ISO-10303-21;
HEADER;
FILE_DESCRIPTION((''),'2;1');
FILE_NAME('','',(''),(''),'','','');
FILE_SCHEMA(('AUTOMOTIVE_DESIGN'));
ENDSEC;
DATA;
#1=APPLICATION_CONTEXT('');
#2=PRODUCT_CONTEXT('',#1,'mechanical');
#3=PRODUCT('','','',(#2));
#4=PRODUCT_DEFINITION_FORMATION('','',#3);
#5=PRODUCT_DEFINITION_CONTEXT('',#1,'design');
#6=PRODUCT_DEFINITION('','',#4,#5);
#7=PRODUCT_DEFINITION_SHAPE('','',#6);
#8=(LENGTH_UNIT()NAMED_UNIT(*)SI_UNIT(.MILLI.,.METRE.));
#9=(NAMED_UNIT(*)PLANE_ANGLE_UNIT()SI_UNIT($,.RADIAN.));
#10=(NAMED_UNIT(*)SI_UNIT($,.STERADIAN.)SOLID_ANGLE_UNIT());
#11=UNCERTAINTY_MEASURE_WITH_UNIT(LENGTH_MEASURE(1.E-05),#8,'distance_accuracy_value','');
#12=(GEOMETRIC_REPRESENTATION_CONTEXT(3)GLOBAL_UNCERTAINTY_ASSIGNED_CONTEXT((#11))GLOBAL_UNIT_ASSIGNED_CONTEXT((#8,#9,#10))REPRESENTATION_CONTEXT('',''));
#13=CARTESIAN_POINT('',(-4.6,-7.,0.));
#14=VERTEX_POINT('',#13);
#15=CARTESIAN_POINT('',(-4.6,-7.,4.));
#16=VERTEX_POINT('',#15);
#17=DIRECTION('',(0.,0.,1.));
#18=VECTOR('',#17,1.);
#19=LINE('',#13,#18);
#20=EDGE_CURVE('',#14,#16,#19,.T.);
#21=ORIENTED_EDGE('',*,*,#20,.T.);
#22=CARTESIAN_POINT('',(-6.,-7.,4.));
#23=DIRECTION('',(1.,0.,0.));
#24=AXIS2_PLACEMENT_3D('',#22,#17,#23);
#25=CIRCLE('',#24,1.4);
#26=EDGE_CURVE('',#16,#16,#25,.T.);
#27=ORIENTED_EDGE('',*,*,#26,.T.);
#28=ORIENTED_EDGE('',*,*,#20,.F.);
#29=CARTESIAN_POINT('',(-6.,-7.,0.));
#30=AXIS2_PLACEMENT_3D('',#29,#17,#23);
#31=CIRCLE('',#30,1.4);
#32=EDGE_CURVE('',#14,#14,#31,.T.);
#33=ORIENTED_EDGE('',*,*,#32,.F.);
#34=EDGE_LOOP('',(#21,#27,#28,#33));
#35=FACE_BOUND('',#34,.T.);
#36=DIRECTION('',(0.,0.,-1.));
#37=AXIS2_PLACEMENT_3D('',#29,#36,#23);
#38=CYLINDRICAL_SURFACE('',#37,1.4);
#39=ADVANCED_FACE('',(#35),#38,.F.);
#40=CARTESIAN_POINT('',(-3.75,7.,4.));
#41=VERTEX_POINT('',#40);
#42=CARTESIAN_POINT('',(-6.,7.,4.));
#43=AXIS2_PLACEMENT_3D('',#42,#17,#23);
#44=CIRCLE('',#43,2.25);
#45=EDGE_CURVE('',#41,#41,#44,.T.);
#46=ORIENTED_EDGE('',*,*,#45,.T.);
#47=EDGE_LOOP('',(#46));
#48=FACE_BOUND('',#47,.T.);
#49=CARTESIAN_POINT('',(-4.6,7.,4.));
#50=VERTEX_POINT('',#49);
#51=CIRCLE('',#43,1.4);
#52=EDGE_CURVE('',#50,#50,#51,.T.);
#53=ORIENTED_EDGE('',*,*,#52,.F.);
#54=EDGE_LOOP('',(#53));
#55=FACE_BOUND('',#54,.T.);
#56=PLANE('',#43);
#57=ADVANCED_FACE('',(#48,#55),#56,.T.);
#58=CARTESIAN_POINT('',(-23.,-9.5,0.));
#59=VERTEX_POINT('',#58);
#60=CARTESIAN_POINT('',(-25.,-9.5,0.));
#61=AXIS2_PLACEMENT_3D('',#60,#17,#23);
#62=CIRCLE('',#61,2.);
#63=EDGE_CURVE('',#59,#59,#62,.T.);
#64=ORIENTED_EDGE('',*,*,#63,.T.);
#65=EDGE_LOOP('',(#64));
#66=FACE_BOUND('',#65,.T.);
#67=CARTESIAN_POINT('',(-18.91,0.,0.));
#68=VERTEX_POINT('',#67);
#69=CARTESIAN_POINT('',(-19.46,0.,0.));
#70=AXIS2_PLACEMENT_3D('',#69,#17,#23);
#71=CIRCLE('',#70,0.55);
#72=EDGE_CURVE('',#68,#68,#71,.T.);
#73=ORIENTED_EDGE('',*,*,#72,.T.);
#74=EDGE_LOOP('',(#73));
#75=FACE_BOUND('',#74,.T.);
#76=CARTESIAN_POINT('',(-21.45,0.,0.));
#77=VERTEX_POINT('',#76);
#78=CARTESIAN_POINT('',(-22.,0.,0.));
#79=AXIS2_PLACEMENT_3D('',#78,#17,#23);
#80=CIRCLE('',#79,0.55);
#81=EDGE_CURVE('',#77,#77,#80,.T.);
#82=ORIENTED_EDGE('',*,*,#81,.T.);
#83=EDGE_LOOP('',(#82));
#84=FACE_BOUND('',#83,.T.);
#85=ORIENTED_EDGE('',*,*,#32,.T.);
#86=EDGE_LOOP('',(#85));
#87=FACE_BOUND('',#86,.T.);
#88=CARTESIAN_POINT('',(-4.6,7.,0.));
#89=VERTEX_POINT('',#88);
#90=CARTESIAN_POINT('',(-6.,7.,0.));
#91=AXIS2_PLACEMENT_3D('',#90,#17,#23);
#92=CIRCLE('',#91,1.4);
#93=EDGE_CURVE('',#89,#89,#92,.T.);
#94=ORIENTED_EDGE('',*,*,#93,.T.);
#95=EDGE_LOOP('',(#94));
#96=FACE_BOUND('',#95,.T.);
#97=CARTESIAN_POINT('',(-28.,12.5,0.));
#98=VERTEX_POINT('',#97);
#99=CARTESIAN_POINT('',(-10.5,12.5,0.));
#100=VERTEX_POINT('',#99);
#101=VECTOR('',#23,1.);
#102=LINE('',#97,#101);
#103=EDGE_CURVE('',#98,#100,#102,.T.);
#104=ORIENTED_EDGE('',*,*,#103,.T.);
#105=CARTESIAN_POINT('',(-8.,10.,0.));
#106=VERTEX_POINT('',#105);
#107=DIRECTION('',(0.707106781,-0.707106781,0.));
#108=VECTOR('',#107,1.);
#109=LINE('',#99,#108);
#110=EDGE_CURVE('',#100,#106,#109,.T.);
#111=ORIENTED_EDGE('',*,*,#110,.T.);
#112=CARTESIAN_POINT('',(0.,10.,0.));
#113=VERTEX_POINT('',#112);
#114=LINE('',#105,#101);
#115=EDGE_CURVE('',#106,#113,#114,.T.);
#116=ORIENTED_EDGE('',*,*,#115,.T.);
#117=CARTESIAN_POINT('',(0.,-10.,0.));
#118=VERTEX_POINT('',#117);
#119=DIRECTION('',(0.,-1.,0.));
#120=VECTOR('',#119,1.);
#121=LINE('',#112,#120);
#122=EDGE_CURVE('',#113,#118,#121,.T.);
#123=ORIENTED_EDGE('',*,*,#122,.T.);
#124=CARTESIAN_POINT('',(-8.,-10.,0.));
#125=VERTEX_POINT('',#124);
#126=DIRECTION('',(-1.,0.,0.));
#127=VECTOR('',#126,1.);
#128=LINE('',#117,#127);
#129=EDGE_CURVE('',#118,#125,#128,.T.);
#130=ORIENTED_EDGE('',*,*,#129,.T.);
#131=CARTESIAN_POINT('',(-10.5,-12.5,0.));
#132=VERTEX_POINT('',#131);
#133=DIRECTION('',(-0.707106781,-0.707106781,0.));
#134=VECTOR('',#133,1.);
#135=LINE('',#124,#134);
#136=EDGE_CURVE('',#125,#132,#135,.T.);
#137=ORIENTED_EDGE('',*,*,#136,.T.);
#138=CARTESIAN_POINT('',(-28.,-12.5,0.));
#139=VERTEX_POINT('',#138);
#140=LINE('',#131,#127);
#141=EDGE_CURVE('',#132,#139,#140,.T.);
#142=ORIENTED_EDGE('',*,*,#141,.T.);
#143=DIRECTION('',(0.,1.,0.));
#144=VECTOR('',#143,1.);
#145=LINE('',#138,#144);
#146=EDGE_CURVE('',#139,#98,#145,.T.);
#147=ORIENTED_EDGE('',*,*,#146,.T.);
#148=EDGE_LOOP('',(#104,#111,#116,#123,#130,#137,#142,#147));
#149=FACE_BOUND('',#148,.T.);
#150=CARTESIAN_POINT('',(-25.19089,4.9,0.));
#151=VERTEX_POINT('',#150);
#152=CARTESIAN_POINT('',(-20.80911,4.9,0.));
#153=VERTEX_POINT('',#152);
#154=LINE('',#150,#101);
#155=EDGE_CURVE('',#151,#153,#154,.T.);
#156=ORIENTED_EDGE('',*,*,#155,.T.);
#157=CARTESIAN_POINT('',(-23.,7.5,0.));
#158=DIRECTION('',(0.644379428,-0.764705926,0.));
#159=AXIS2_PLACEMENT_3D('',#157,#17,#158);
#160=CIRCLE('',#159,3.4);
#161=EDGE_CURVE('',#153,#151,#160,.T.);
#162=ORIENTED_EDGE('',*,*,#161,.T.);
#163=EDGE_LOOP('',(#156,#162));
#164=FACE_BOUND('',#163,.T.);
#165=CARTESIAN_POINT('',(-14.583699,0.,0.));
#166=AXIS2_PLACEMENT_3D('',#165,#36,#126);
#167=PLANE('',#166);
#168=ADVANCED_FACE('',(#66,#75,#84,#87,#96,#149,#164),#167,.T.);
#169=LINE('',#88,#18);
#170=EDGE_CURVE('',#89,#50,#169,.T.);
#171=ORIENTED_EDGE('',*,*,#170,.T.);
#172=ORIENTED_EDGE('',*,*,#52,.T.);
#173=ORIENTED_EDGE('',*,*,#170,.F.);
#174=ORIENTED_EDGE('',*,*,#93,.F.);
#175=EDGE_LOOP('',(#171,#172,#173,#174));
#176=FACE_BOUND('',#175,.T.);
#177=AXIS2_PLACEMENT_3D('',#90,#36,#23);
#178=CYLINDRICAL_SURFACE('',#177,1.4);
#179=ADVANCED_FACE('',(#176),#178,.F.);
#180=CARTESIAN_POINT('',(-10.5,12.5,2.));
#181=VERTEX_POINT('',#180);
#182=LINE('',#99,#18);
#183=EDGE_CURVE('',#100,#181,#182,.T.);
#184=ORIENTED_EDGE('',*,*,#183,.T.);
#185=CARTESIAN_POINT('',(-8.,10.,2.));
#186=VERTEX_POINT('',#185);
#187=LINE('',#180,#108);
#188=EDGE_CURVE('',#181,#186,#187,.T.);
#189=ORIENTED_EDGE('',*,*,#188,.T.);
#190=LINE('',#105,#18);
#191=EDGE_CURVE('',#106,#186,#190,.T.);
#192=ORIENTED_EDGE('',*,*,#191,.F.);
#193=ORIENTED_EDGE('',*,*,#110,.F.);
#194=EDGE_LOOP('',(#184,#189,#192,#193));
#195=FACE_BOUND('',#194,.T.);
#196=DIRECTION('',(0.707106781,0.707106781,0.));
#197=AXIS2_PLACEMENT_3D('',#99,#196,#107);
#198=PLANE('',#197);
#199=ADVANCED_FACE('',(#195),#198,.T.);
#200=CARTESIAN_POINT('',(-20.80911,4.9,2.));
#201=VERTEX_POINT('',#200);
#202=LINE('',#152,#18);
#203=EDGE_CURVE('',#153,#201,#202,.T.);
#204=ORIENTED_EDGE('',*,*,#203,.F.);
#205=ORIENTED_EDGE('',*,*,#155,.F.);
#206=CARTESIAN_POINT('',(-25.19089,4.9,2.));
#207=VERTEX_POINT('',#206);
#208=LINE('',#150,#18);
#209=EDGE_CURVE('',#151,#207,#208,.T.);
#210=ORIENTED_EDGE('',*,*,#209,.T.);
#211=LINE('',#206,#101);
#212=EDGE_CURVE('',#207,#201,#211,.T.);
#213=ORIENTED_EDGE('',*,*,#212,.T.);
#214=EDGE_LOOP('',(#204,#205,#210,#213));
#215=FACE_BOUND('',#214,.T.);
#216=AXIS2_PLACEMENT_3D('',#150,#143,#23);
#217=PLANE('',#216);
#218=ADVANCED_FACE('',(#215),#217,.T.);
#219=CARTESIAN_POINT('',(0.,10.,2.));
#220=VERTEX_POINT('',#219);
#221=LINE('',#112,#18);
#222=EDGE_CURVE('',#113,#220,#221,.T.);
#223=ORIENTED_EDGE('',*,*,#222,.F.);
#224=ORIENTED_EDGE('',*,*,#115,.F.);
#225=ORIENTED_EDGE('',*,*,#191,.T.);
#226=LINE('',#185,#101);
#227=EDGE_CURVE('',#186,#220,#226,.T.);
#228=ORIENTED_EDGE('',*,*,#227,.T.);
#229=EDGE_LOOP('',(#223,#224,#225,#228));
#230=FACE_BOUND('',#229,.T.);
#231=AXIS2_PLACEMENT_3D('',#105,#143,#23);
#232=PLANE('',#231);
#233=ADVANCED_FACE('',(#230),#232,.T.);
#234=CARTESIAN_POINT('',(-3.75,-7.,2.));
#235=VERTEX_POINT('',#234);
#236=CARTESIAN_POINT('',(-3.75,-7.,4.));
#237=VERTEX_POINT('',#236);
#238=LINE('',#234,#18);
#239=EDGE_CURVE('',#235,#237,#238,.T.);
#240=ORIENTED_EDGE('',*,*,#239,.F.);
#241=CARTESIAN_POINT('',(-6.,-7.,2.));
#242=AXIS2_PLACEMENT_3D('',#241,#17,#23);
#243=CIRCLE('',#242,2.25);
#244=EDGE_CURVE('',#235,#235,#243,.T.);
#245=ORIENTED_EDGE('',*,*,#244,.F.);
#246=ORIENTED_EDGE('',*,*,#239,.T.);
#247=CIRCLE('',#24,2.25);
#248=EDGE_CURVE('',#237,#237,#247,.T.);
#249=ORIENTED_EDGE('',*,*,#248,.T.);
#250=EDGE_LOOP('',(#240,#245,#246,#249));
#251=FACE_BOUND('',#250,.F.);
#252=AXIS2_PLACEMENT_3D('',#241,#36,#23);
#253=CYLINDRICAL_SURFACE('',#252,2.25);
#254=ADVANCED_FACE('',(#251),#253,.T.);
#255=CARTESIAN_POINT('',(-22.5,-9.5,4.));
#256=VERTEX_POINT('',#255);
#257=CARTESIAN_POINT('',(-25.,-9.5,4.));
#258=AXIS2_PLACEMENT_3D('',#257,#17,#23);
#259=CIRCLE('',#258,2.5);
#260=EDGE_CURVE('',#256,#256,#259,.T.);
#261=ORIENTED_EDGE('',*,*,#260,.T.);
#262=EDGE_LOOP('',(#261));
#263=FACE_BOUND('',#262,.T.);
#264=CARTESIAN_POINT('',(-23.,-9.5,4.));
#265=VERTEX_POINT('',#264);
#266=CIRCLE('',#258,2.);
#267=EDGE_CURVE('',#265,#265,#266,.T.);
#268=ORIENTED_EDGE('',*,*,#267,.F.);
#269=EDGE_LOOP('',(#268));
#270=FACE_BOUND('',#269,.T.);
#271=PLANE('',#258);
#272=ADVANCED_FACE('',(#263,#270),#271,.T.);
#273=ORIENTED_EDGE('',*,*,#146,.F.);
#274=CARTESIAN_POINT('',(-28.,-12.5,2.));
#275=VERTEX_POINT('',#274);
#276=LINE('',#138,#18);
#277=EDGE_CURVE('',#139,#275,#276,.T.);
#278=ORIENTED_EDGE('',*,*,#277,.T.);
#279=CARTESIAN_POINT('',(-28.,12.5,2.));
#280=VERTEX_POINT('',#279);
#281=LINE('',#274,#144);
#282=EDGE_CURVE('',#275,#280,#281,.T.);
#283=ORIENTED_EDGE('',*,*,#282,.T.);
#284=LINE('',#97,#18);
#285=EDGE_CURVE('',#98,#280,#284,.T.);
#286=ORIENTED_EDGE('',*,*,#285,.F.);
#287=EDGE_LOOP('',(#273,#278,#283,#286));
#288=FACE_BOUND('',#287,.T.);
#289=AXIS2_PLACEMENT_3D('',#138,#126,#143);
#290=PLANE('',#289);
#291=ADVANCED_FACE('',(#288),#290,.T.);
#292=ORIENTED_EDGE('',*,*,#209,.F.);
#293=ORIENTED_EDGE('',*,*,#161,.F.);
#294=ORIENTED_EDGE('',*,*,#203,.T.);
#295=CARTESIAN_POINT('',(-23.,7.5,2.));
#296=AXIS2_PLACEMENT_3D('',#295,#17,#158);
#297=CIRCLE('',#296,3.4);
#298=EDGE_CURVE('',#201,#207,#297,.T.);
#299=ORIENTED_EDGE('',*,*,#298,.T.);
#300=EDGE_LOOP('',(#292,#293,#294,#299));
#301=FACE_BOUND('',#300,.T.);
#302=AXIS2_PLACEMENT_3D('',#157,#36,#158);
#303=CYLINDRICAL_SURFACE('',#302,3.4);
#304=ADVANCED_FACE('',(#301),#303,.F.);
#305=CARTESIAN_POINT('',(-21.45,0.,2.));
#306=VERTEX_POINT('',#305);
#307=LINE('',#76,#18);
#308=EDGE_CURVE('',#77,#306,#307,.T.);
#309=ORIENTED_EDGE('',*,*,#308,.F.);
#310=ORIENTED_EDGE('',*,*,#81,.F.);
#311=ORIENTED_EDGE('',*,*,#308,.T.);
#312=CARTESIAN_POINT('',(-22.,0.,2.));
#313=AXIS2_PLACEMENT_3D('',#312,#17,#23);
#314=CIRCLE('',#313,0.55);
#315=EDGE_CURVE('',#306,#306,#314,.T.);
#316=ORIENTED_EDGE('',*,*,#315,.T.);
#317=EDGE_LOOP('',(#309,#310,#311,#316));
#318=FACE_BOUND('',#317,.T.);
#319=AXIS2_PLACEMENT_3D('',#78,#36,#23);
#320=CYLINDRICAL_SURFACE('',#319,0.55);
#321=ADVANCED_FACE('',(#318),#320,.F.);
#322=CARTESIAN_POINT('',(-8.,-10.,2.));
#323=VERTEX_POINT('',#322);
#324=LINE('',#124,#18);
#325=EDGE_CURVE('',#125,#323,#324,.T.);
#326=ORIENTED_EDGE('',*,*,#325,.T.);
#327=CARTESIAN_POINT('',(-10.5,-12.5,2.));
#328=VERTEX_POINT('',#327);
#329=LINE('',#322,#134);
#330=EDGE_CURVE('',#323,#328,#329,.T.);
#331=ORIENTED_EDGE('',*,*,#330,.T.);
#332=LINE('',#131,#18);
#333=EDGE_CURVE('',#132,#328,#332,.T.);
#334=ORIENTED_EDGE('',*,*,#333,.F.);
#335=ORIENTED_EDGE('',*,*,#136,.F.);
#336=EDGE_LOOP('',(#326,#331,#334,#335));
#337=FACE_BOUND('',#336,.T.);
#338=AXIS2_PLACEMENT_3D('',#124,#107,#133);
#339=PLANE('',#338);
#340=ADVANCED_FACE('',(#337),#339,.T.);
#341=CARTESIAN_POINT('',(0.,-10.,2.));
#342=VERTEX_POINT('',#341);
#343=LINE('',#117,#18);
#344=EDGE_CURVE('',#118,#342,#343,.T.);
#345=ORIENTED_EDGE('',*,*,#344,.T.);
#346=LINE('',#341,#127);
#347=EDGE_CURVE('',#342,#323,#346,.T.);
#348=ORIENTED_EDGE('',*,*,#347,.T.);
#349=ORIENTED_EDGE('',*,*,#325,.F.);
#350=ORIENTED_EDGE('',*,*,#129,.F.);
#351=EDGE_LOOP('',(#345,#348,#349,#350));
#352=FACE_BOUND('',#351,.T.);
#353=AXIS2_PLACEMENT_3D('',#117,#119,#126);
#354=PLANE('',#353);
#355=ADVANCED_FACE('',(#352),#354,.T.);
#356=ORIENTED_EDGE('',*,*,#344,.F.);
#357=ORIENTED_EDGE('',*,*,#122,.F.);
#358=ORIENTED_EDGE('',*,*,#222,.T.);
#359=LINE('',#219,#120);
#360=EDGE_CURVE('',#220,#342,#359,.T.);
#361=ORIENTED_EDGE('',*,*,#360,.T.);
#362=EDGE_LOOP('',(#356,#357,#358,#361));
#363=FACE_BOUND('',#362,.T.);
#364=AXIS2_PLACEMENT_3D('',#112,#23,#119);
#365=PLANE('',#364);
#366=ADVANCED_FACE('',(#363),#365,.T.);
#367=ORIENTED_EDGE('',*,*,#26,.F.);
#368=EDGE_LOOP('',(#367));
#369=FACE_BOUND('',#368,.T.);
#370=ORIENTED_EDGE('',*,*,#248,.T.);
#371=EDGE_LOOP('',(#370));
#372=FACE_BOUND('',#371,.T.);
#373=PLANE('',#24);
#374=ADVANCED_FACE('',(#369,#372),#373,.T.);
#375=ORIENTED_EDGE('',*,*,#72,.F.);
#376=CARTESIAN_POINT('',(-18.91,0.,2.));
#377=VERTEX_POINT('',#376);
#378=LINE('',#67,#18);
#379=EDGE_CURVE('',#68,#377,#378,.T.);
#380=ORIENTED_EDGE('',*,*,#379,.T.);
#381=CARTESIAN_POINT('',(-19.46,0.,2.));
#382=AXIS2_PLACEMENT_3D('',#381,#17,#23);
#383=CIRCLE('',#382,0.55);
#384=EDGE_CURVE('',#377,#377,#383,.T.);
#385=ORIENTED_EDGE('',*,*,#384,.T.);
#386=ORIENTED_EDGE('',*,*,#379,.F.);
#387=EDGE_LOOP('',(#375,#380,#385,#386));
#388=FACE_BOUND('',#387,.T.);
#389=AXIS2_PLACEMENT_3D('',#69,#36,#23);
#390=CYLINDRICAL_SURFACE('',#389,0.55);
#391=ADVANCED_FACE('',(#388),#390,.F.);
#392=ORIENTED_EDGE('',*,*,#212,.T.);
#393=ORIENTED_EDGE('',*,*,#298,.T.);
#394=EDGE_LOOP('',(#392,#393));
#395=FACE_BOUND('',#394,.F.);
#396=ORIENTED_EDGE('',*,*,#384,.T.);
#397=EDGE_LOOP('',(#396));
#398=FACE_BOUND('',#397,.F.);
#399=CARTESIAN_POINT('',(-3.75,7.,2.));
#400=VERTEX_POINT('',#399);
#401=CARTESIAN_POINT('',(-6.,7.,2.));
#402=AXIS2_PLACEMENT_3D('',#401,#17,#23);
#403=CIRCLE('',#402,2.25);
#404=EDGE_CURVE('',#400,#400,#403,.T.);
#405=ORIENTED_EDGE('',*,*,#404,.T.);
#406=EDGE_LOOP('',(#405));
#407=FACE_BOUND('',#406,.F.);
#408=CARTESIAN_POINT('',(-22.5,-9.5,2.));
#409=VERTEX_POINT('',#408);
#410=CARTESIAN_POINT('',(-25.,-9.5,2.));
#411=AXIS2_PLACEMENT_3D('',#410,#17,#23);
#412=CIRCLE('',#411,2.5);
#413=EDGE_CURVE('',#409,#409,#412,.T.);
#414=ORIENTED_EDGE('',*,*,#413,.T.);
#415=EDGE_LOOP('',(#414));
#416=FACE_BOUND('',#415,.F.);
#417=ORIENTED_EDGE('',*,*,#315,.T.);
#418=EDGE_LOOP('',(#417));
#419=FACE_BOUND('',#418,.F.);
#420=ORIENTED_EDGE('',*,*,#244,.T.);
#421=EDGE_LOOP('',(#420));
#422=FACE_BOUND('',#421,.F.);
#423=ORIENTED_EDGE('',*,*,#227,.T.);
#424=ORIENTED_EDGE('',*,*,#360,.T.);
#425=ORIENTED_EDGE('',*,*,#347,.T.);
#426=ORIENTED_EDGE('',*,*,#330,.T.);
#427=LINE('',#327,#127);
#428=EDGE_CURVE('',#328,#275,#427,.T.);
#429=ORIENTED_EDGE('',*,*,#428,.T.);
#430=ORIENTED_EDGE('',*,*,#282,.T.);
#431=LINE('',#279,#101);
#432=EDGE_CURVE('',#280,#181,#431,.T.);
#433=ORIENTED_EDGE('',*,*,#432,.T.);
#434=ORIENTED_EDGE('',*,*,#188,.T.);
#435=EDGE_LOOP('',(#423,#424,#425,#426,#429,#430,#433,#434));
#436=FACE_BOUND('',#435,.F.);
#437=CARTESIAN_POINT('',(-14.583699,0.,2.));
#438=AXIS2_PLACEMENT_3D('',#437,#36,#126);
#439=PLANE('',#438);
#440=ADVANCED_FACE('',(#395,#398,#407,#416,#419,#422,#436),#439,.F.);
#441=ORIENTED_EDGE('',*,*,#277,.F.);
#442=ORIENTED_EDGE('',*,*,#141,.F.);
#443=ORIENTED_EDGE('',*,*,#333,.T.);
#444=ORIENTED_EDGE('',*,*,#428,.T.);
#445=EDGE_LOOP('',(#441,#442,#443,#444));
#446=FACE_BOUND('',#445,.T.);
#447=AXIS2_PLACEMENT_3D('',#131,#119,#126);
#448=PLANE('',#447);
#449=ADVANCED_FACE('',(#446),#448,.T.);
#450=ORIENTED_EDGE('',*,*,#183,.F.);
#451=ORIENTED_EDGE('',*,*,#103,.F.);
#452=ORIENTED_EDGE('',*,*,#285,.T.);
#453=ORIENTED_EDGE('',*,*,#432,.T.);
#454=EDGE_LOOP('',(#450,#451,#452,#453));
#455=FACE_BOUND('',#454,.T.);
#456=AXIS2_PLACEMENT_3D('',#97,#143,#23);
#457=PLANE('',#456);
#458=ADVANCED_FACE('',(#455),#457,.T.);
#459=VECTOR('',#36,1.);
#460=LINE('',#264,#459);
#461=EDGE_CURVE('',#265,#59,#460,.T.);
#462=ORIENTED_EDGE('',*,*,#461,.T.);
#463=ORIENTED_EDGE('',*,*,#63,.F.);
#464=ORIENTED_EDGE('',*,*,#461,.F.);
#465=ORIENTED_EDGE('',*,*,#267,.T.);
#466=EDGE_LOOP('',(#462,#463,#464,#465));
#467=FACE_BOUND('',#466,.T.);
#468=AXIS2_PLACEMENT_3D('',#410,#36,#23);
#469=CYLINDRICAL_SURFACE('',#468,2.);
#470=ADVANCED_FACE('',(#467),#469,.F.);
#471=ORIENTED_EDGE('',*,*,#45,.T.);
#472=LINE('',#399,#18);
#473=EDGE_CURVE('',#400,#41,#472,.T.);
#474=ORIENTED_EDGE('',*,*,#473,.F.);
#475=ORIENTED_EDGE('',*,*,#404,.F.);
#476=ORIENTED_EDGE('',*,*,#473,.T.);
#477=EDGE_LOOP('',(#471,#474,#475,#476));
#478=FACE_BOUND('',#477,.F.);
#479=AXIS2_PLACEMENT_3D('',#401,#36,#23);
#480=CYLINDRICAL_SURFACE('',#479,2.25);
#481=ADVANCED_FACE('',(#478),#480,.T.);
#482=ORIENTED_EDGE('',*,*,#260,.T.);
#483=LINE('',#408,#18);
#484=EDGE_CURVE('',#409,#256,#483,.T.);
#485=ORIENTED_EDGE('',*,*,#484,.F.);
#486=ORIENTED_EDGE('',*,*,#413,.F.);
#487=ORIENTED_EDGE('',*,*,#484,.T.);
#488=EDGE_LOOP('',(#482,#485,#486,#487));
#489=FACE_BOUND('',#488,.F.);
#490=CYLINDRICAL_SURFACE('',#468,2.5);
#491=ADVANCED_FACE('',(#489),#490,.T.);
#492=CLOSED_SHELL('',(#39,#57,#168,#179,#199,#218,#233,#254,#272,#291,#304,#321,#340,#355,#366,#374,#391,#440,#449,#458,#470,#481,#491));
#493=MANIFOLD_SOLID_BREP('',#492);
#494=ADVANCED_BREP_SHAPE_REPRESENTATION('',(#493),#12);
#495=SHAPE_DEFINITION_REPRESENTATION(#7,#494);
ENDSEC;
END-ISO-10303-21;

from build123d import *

# Parameters (mm, degrees)
SKETCH_R      = 1.4
SKETCH_R_2    = 2
SKETCH_R_3    = 0.55
PAD_DEPTH     = 2
SKETCH001_R   = 2.5
SKETCH001_R_2 = 2
SKETCH001_R_3 = 2.25
SKETCH001_R_4 = 1.4
PAD001_DEPTH  = 2


with BuildPart() as part:
    # Sketch → Pad (new body)
    with BuildSketch(Plane.XY):
        Polygon((0, 10), (0, -10), (-8, -10), (-10.5, -12.5), (-28, -12.5), (-28, 12.5), (-10.5, 12.5), (-8, 10), align=None)
        with Locations((-6, 7)):
            Circle(SKETCH_R, mode=Mode.SUBTRACT)
        with Locations((-6, -7)):
            Circle(SKETCH_R, mode=Mode.SUBTRACT)
        with Locations((-25, -9.5)):
            Circle(SKETCH_R_2, mode=Mode.SUBTRACT)
        with Locations((-22, 0)):
            Circle(SKETCH_R_3, mode=Mode.SUBTRACT)
        with Locations((-19.46, 0)):
            Circle(SKETCH_R_3, mode=Mode.SUBTRACT)
        with BuildLine():
            ThreePointArc((-20.80911, 4.9), (-23, 10.9), (-25.19089, 4.9))
            Line((-25.19089, 4.9), (-20.80911, 4.9))
        make_face(mode=Mode.SUBTRACT)
    extrude(amount=PAD_DEPTH)

    # Sketch001 (on DatumPlane) → Pad001 (join)
    with BuildSketch(Plane.XY.offset(2)):
        with Locations((-25, -9.5)):
            Circle(SKETCH001_R)
        with Locations((-25, -9.5)):
            Circle(SKETCH001_R_2, mode=Mode.SUBTRACT)
        with Locations((-6, -7)):
            Circle(SKETCH001_R_3)
        with Locations((-6, -7)):
            Circle(SKETCH001_R_4, mode=Mode.SUBTRACT)
        with Locations((-6, 7)):
            Circle(SKETCH001_R_3)
        with Locations((-6, 7)):
            Circle(SKETCH001_R_4, mode=Mode.SUBTRACT)
    extrude(amount=PAD001_DEPTH)


solid = part.part
